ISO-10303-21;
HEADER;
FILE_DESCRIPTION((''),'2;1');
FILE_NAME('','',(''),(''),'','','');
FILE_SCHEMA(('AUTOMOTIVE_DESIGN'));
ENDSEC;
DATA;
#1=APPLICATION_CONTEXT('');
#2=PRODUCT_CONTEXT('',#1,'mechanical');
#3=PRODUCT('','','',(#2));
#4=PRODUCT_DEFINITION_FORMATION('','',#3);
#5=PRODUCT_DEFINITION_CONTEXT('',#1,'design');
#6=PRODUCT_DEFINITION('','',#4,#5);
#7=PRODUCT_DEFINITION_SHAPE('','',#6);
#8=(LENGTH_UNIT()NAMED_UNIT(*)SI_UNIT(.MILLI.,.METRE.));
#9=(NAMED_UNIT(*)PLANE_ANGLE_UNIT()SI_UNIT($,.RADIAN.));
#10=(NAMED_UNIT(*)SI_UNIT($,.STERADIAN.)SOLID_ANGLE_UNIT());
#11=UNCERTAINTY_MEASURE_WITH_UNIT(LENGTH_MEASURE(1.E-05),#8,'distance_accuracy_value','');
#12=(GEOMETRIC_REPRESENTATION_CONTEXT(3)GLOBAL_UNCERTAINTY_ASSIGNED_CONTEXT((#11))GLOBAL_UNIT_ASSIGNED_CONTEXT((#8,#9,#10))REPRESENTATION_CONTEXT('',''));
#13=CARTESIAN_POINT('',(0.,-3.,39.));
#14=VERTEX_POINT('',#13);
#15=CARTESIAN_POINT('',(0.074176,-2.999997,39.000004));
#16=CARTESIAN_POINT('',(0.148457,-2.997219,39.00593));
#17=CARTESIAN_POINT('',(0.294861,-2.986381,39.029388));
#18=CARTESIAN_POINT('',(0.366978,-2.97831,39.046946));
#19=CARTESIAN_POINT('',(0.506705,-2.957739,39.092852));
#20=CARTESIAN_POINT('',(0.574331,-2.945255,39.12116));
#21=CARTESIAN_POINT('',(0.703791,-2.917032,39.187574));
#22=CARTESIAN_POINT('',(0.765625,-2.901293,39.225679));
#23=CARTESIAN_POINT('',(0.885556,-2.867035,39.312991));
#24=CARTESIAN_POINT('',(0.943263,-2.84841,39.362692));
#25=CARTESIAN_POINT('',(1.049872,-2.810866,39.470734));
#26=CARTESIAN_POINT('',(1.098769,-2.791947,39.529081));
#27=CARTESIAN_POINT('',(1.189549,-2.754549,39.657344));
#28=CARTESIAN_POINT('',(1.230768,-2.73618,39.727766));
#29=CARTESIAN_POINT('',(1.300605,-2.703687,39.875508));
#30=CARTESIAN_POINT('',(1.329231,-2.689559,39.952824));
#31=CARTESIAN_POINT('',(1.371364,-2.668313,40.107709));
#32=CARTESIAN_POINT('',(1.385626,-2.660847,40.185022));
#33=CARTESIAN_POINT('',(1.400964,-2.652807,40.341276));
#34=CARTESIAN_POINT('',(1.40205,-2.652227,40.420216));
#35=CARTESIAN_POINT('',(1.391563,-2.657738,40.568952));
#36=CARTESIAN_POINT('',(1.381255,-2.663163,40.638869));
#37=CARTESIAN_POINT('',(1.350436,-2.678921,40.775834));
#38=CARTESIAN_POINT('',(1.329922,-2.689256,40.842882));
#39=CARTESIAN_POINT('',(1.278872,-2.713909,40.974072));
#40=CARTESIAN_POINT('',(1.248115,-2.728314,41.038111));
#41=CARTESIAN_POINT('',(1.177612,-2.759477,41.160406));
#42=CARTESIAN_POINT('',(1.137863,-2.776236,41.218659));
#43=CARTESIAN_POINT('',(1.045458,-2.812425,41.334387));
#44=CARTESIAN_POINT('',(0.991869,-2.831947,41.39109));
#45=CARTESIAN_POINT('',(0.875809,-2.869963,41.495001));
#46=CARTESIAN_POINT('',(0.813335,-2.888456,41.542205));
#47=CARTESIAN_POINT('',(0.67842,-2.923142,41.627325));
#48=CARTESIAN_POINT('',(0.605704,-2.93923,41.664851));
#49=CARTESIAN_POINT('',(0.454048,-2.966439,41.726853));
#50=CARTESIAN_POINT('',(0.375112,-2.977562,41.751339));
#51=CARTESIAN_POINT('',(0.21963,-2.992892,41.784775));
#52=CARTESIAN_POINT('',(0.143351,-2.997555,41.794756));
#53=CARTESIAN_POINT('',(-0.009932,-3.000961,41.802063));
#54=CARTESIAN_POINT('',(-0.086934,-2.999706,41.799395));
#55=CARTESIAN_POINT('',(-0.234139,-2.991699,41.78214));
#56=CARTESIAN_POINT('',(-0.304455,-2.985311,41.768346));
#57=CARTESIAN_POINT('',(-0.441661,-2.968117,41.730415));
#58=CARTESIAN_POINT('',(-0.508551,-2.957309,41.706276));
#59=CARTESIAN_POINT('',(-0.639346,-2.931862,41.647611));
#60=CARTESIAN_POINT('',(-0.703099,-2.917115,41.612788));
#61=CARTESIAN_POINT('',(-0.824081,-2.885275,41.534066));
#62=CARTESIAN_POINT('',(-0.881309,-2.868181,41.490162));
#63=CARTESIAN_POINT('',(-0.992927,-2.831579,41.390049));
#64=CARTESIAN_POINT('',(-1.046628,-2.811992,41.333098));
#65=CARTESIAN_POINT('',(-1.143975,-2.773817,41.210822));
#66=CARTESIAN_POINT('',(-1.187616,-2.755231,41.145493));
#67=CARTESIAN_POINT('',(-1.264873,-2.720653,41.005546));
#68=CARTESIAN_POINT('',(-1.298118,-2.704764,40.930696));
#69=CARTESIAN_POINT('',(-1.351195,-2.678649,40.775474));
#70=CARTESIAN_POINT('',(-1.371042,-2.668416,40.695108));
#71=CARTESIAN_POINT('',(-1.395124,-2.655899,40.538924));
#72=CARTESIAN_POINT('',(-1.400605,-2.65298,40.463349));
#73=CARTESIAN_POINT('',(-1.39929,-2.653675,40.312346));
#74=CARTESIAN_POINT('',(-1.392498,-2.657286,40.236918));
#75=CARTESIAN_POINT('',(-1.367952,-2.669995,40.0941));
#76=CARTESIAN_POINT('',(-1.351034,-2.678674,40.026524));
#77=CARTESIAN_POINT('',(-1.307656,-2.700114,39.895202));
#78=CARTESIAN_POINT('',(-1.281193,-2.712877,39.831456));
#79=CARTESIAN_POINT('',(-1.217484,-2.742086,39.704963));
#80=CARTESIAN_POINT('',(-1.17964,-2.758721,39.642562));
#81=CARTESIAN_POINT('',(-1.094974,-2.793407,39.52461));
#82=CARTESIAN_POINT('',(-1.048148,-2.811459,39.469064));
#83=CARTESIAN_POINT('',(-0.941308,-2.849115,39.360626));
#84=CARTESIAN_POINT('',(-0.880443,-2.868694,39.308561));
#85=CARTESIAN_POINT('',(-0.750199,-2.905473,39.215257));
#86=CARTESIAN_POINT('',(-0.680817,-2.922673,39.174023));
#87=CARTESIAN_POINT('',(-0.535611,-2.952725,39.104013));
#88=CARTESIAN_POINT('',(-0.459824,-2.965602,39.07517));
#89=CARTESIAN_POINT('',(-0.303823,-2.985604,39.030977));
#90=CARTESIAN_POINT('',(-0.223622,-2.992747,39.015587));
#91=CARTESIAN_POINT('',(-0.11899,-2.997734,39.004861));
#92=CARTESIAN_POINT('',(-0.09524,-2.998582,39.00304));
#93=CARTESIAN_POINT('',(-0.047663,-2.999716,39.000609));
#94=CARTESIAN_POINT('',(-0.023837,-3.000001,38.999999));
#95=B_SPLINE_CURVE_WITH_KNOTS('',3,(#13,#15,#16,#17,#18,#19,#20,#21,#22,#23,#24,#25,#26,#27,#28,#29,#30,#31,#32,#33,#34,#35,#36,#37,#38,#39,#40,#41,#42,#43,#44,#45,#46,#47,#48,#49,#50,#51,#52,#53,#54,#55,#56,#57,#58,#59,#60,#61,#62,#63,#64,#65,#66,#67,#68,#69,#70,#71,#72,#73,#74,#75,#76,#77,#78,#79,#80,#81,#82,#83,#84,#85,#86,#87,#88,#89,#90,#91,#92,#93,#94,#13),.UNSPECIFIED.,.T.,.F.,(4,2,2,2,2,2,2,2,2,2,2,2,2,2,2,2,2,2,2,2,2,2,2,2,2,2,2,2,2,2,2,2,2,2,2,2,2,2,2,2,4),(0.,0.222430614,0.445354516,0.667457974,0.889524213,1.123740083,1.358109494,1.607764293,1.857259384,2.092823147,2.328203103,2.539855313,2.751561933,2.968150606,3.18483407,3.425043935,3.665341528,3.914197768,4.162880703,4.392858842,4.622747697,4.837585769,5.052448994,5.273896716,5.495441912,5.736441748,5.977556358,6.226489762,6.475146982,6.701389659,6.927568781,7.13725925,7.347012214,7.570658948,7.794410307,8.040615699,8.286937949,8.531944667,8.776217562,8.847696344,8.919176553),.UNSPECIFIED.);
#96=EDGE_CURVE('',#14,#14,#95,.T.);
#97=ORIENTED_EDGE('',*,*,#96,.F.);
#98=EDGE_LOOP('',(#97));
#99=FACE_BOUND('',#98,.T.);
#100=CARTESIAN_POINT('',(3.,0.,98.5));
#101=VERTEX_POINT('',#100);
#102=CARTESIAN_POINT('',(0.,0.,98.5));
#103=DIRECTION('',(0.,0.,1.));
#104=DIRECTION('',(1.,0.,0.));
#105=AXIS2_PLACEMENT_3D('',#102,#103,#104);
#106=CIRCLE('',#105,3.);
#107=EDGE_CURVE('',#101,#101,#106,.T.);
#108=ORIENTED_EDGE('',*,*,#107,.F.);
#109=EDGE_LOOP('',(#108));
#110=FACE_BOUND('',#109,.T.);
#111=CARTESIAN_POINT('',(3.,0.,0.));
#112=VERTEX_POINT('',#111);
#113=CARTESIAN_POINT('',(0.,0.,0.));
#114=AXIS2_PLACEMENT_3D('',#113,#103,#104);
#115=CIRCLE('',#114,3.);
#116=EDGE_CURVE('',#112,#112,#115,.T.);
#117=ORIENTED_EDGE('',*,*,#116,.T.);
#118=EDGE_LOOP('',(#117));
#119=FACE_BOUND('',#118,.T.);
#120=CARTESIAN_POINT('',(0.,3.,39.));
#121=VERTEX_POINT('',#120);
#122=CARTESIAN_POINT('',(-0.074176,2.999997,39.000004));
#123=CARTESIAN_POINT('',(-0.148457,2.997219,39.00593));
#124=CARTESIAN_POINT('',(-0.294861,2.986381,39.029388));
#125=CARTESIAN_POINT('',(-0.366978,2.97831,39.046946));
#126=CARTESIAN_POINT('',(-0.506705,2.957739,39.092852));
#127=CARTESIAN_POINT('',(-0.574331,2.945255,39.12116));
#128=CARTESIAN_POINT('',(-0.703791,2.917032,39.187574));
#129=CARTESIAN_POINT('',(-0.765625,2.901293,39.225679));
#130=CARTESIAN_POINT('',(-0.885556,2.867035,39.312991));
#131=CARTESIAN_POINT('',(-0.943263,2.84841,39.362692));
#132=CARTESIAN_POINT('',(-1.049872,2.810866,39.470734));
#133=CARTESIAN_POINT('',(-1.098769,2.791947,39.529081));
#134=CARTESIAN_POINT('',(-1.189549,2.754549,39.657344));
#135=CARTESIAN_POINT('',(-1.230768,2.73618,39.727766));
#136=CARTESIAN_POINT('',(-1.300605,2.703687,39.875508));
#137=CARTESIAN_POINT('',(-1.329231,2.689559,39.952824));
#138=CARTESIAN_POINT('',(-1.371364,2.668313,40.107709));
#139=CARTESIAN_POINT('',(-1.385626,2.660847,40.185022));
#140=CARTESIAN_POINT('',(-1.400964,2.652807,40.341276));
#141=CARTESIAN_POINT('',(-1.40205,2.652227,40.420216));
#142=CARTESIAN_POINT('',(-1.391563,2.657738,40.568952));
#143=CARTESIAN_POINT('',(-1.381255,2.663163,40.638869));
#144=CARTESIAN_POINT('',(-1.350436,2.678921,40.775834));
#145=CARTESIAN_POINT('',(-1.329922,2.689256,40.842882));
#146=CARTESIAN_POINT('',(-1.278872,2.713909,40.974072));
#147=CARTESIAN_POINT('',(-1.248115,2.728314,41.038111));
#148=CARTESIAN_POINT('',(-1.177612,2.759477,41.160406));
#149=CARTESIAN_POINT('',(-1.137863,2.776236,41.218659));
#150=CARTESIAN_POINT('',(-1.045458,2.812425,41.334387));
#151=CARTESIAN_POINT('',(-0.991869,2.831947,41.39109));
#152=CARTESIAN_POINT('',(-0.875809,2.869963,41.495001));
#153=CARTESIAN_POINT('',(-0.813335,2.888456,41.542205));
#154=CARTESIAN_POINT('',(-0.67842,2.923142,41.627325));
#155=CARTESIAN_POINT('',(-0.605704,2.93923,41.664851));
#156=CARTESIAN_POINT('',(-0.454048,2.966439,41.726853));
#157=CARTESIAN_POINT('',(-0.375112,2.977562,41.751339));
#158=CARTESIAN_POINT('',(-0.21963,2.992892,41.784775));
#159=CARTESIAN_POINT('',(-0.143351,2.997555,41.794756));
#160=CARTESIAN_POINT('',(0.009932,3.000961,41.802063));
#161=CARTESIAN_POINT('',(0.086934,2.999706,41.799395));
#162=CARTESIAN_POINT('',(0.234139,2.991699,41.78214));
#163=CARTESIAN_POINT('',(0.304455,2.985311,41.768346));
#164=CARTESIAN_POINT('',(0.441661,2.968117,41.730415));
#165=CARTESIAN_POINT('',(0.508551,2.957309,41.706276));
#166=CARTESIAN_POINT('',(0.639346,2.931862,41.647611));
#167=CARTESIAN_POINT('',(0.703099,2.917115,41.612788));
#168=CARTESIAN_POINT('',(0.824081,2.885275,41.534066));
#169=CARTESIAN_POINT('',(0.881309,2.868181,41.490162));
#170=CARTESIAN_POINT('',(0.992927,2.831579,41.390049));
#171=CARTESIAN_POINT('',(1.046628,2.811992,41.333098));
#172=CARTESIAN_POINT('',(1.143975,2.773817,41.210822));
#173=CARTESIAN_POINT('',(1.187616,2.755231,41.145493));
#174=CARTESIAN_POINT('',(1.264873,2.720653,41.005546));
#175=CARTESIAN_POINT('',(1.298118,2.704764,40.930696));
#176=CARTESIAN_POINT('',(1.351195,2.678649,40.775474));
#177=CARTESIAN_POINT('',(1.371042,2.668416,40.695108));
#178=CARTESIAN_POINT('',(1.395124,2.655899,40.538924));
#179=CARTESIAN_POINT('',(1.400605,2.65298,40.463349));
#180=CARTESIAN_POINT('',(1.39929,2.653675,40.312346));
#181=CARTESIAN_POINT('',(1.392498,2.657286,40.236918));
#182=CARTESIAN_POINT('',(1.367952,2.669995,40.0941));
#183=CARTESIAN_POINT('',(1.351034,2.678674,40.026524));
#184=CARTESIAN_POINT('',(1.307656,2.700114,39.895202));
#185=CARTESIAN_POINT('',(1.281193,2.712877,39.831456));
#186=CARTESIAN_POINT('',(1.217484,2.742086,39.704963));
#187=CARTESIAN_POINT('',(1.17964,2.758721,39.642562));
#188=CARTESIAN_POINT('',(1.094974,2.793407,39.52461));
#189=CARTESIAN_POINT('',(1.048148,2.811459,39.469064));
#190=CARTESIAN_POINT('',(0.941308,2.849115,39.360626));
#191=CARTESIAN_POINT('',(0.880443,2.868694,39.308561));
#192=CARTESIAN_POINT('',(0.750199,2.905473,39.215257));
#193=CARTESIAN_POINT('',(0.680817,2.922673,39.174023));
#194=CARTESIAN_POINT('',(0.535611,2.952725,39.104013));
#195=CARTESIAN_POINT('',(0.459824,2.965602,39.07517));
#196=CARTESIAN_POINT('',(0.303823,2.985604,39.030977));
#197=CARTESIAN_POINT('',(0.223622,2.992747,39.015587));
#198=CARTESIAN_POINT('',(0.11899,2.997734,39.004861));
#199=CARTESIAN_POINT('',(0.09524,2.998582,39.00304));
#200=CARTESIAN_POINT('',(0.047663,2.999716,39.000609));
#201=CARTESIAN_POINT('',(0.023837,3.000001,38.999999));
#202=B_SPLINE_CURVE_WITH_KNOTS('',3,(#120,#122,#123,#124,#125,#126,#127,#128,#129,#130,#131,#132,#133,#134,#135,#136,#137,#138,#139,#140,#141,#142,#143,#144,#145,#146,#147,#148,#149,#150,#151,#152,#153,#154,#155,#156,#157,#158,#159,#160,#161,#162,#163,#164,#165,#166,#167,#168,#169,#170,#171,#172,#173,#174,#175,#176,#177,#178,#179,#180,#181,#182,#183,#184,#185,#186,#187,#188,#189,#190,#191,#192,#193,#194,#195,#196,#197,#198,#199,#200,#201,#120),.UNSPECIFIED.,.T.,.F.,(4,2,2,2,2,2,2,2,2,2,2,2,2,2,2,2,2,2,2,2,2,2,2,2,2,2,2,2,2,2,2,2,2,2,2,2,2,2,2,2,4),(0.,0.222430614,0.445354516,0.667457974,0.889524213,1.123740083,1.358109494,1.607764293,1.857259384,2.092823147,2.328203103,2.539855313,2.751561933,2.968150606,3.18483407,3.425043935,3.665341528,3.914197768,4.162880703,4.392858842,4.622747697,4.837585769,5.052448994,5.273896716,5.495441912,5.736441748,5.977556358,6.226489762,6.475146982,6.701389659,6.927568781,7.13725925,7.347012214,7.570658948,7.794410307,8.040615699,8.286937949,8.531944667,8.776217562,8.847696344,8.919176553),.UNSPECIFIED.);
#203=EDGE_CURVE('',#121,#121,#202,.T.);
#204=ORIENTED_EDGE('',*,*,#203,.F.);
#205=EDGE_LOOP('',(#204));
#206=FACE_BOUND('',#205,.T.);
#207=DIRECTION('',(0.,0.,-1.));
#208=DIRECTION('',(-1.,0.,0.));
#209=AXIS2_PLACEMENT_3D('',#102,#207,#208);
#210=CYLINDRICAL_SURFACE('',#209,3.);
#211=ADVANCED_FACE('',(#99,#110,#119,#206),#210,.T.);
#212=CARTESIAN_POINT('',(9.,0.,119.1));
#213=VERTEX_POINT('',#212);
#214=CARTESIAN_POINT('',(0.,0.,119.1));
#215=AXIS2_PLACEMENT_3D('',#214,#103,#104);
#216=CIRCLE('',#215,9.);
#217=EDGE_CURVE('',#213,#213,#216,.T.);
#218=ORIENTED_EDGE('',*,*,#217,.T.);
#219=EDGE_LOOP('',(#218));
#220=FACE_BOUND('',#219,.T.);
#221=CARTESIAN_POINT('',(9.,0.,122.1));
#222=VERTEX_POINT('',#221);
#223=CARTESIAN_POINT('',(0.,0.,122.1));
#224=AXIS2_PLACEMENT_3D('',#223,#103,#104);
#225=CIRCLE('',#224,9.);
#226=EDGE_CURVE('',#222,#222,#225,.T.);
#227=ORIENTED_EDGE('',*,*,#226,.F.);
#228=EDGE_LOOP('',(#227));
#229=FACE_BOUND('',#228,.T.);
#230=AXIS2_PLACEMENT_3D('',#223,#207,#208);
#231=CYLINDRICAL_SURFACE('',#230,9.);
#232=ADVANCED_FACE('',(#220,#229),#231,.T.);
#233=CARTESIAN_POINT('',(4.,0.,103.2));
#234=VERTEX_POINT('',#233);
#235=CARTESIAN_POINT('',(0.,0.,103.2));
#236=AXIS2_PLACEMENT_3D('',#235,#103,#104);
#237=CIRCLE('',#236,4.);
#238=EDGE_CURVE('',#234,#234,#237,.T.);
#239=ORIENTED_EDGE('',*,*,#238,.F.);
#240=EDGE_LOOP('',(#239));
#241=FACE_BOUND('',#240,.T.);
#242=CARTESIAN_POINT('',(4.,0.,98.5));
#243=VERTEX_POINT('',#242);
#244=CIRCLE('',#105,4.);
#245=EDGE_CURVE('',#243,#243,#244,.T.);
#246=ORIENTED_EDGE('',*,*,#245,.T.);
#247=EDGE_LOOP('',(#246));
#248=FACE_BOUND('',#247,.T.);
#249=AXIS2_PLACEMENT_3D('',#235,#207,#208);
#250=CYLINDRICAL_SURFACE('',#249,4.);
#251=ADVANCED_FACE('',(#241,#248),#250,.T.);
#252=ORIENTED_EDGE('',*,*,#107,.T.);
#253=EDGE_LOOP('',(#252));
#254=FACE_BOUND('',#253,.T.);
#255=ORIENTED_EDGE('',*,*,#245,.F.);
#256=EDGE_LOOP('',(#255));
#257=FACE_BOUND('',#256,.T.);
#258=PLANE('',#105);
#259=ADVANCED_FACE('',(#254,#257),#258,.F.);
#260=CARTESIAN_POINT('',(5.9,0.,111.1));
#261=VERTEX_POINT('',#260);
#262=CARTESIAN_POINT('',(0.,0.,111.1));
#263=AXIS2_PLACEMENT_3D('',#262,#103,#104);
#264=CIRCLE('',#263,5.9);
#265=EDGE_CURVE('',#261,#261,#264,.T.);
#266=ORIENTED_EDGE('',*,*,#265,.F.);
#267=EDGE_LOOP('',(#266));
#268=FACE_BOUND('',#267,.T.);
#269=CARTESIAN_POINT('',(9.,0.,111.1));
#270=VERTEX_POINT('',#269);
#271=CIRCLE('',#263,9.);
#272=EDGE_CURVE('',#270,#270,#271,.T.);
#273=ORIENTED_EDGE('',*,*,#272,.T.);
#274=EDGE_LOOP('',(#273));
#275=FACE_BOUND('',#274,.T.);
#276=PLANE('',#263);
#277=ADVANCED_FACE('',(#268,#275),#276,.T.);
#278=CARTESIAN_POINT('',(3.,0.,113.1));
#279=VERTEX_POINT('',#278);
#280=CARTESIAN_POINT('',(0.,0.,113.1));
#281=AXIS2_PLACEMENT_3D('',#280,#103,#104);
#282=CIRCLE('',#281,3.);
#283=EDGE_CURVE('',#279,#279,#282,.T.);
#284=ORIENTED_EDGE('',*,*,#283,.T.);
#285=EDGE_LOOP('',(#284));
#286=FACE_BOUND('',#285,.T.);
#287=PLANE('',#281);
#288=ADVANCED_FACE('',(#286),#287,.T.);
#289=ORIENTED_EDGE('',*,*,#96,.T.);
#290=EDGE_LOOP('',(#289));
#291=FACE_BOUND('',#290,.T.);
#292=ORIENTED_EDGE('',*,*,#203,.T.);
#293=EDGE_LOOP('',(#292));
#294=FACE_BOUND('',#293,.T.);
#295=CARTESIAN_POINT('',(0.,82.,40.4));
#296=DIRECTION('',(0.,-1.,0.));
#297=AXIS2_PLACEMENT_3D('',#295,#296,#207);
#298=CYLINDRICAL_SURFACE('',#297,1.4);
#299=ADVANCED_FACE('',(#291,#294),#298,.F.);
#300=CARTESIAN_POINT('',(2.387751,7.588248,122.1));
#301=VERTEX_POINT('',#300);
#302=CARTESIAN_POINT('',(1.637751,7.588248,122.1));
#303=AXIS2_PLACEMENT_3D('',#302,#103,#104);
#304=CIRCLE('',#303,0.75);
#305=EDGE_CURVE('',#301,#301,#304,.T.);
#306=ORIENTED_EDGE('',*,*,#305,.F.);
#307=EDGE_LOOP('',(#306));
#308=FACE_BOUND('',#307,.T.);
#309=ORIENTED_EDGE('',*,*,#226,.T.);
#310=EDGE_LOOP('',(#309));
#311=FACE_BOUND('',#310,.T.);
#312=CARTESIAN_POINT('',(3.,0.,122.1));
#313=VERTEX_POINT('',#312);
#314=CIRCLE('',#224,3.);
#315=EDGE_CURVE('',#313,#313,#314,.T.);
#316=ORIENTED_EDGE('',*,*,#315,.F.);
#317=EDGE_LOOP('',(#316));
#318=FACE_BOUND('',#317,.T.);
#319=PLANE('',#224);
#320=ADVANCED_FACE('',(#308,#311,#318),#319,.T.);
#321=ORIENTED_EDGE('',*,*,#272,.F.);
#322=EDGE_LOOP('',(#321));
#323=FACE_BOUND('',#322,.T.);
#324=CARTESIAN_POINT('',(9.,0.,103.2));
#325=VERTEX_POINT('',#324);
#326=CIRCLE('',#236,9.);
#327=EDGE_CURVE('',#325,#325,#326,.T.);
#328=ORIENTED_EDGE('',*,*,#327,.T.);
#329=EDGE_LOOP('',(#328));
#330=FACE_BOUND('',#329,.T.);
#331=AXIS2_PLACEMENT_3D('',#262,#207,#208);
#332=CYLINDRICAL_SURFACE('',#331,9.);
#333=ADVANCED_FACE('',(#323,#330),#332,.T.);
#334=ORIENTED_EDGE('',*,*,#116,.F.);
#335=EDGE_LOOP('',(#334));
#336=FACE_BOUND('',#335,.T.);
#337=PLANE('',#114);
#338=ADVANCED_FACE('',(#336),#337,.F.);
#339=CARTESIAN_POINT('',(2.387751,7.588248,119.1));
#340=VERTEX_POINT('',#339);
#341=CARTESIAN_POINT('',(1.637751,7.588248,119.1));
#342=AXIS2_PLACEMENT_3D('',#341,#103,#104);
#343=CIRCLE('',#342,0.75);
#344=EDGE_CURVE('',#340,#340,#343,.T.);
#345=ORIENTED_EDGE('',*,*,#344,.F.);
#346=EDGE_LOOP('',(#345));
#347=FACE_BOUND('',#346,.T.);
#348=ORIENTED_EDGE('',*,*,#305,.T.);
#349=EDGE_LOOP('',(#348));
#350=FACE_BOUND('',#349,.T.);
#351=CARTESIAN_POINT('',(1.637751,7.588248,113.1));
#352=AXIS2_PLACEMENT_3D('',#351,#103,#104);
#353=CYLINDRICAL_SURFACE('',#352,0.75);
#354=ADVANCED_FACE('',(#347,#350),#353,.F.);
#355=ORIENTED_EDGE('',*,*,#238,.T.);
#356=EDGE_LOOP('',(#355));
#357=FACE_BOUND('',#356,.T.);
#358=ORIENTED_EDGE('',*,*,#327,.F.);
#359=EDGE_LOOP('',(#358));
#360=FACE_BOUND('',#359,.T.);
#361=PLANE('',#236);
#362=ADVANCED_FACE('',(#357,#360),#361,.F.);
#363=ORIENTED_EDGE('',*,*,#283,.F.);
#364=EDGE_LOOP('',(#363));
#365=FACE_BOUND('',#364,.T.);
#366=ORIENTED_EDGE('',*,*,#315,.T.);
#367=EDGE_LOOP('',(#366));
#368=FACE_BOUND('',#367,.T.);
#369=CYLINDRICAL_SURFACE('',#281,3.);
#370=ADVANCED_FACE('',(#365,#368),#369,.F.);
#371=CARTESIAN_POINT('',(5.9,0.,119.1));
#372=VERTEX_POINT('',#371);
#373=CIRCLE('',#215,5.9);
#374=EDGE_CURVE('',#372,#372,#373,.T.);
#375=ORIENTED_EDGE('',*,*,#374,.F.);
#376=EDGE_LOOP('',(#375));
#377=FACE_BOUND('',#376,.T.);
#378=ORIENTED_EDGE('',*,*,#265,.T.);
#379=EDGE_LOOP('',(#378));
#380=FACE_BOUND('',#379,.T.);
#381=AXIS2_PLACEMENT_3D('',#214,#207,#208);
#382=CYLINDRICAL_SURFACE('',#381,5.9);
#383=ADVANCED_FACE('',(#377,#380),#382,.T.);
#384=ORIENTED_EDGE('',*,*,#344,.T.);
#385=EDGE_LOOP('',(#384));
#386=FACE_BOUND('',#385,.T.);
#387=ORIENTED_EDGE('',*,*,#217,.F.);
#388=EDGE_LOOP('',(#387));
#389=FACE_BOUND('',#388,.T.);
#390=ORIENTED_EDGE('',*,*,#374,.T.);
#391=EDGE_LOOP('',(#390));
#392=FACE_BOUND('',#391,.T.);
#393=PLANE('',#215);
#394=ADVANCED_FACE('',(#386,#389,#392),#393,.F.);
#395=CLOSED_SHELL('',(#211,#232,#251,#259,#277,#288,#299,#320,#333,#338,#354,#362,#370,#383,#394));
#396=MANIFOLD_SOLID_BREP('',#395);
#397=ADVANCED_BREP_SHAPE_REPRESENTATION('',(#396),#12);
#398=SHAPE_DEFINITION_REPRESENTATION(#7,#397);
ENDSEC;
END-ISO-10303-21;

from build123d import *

# Parameters (mm, degrees)
SKETCH1_R               = 3
BOSS_EXTRUDE1_DEPTH     = 98.5
SKETCH2_R               = 4
BOSS_EXTRUDE2_DEPTH     = 4.7
SKETCH3_R               = 9
BOSS_EXTRUDE3_DEPTH     = 7.9
SKETCH4_R               = 5.9
BOSS_EXTRUDE4_DEPTH     = 8
SKETCH5_R               = 9
BOSS_EXTRUDE5_DEPTH     = 3
CUT_EXTRUDE1_DEPTH      = 82
CUT_EXTRUDE1_DEPTH_BACK = 82
SKETCH6_R               = 1.4
CUT_EXTRUDE2_START      = -9
SKETCH7_R               = 3
SKETCH7_R_2             = 0.75
CUT_EXTRUDE2_DEPTH      = 9


with BuildPart() as part:
    # Sketch1 → Boss-Extrude1 (new body)
    with BuildSketch(Plane.XY):
        Circle(SKETCH1_R)
    extrude(amount=BOSS_EXTRUDE1_DEPTH)

    # Sketch2 → Boss-Extrude2 (add)
    with BuildSketch(Plane.XY.offset(98.5)):
        Circle(SKETCH2_R)
    extrude(amount=BOSS_EXTRUDE2_DEPTH)

    # Sketch3 → Boss-Extrude3 (add)
    with BuildSketch(Plane.XY.offset(103.2)):
        Circle(SKETCH3_R)
    extrude(amount=BOSS_EXTRUDE3_DEPTH)

    # Sketch4 → Boss-Extrude4 (add)
    with BuildSketch(Plane.XY.offset(111.1)):
        Circle(SKETCH4_R)
    extrude(amount=BOSS_EXTRUDE4_DEPTH)

    # Sketch5 → Boss-Extrude5 (add)
    with BuildSketch(Plane.XY.offset(119.1)):
        Circle(SKETCH5_R)
    extrude(amount=BOSS_EXTRUDE5_DEPTH)

    # Sketch6 → Cut-Extrude1 (cut, two sides: drawn at the far end of the back side and taken through both)
    with BuildSketch(Plane(origin=(0, 0, 0), x_dir=(1, 0, 0), z_dir=(0, 1, 0)).offset(-CUT_EXTRUDE1_DEPTH_BACK)):
        with Locations((0, -40.4)):
            Circle(SKETCH6_R)
    extrude(amount=CUT_EXTRUDE1_DEPTH + CUT_EXTRUDE1_DEPTH_BACK, mode=Mode.SUBTRACT)

    # Sketch7 → Cut-Extrude2 (cut)
    with BuildSketch(Plane.XY.offset(122.1).offset(CUT_EXTRUDE2_START)):
        Circle(SKETCH7_R)
        with Locations((1.637751338, 7.588247864)):
            Circle(SKETCH7_R_2)
    extrude(amount=CUT_EXTRUDE2_DEPTH, mode=Mode.SUBTRACT)


solid = part.part
